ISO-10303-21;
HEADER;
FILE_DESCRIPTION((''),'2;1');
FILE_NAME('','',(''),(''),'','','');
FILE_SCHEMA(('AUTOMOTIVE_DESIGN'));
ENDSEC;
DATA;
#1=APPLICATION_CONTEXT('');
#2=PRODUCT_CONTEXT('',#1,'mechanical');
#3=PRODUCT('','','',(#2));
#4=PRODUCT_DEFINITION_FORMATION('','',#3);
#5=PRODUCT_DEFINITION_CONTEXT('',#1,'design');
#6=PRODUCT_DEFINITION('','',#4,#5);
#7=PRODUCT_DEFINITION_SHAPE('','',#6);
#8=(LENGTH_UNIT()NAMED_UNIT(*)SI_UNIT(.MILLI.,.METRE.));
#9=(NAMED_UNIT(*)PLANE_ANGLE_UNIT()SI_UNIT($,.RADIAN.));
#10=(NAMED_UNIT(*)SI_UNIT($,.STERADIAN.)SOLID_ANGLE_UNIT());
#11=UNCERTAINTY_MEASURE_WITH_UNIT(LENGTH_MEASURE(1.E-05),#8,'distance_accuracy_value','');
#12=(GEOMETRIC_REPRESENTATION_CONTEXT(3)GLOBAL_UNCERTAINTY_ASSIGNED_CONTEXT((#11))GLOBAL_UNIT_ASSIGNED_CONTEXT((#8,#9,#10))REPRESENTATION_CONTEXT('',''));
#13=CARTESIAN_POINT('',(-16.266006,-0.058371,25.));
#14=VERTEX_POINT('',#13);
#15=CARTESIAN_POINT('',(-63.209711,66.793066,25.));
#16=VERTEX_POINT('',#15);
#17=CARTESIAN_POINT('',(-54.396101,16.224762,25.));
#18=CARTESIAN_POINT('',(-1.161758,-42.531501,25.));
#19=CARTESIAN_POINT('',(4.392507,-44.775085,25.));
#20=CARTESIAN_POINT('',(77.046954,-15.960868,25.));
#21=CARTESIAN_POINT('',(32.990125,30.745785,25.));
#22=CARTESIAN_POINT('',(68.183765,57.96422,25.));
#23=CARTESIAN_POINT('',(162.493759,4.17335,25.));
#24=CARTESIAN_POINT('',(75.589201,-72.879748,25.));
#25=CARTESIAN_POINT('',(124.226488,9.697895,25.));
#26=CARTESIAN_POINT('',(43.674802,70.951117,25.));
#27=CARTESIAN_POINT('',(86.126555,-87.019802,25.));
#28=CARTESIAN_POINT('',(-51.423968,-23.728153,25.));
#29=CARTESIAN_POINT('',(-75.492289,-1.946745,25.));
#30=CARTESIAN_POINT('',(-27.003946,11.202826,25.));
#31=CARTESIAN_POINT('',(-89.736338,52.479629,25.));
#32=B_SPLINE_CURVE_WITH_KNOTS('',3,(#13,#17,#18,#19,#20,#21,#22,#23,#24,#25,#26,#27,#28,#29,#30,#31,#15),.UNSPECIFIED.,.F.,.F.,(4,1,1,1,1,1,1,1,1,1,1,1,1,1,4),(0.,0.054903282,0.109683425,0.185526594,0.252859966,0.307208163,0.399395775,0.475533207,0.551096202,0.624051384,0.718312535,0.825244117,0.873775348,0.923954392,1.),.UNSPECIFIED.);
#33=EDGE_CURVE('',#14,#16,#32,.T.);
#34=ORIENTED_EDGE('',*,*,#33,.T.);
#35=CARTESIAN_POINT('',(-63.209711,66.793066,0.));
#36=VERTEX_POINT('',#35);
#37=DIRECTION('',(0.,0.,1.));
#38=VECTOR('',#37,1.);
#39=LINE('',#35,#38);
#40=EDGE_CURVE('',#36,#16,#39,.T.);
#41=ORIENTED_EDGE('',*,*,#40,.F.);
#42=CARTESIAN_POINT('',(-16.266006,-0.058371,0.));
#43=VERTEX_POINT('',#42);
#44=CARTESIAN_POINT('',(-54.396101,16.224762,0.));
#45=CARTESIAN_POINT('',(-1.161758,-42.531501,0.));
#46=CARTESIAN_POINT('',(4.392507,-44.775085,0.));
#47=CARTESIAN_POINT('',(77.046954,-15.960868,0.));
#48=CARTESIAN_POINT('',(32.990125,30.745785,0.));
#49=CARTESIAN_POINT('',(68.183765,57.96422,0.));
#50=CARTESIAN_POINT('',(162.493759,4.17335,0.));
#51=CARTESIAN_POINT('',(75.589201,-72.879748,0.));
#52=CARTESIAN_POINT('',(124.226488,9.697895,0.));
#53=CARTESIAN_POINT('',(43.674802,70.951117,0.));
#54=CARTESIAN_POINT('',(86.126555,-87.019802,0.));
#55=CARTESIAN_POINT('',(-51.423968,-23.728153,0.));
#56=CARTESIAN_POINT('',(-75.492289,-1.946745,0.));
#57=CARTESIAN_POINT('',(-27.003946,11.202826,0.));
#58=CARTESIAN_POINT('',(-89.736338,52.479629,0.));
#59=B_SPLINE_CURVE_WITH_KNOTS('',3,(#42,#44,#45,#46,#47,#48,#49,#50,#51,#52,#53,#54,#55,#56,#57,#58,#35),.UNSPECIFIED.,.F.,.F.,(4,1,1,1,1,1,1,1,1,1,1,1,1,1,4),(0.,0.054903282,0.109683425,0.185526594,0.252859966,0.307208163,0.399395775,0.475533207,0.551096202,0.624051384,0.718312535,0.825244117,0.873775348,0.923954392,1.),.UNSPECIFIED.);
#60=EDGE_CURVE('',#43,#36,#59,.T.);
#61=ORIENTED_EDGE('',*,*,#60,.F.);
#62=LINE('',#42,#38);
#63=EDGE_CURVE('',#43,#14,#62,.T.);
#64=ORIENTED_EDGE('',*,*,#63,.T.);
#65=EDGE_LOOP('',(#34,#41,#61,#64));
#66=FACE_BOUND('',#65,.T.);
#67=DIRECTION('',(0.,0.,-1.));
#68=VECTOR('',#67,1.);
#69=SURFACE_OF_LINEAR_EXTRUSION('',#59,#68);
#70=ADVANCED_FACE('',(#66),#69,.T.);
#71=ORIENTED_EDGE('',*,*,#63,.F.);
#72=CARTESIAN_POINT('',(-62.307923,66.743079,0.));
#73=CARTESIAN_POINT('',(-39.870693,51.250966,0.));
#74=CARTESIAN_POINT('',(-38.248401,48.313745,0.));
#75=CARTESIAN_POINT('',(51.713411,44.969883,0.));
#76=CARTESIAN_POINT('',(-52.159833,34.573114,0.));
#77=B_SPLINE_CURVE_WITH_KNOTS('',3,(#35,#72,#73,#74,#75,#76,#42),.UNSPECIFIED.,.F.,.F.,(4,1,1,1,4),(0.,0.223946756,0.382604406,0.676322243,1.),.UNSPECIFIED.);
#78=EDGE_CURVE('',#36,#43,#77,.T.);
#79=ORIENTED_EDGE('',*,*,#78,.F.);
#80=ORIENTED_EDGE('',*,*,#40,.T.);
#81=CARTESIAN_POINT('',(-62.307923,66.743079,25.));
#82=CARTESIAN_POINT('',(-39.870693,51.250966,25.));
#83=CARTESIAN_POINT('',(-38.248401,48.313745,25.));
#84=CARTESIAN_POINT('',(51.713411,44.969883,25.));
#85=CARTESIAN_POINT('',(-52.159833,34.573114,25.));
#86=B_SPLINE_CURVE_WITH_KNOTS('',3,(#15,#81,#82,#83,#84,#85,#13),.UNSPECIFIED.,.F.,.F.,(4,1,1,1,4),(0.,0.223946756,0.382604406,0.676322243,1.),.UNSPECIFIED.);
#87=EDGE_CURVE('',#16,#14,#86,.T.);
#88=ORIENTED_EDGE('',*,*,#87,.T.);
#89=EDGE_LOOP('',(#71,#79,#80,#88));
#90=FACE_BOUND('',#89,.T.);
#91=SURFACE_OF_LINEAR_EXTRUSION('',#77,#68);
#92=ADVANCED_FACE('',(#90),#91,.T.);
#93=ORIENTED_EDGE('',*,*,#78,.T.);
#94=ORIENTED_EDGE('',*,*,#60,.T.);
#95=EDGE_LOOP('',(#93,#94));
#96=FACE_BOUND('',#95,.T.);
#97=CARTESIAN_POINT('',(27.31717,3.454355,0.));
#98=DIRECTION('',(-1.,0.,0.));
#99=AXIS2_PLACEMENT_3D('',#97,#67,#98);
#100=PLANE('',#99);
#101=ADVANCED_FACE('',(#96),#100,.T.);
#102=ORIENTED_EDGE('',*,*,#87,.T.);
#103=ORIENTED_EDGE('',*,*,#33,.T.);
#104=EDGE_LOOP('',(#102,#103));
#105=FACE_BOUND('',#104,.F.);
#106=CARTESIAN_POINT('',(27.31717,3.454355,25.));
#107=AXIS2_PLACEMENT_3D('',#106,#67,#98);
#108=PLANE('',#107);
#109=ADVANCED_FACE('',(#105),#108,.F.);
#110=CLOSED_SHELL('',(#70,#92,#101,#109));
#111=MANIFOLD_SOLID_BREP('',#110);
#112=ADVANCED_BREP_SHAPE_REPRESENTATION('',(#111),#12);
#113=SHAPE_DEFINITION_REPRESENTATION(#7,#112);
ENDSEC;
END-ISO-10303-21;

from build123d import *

# Parameters (mm, degrees)
F1_DEPTH = 25
F2_DEPTH = 25


with BuildPart() as f1:
    # F0 (on Top) → F1 (new body)
    with BuildSketch(Plane.XY):
        with BuildLine():
            add(Edge.make_bspline(
                [(-16.2660055382, -0.0583706151), (-54.396101265, 16.2247619578), (-1.1617582692, -42.5315013701), (4.3925072217, -44.775085218), (77.0469541932, -15.9608677056), (32.9901248944, 30.7457847297), (68.1837648581, 57.9642197465), (162.4937586848, 4.1733501008), (75.5892011835, -72.8797484564), (124.226487695, 9.6978948707), (43.6748019987, 70.9511168926), (86.126555151, -87.0198016473), (-51.4239678216, -23.7281533693), (-75.4922889181, -1.9467453465), (-27.0039461905, 11.2028257186), (-89.7363376687, 52.4796292523), (-63.2097107719, 66.793066398)],
                knots=[0, 0, 0, 0, 0.0549032817, 0.109683425, 0.1855265936, 0.2528599663, 0.3072081634, 0.3993957746, 0.4755332066, 0.5510962021, 0.6240513844, 0.7183125348, 0.8252441171, 0.873775348, 0.9239543915, 1, 1, 1, 1], degree=3))
            add(Edge.make_bspline(
                [(-63.2097107719, 66.793066398), (-62.3079225844, 66.7430788288), (-39.8706932753, 51.250965623), (-38.248401032, 48.3137450781), (51.7134109491, 44.96988329), (-52.1598325008, 34.5731138125), (-16.2660055382, -0.0583706151)],
                knots=[0, 0, 0, 0, 0.2239467562, 0.3826044064, 0.6763222433, 1, 1, 1, 1], degree=3))
        make_face()
    extrude(amount=F1_DEPTH)

    # F0 (on Top) → F2 (join)
    with BuildSketch(Plane.XY):
        with BuildLine():
            add(Edge.make_bspline(
                [(-16.2660055382, -0.0583706151), (-54.396101265, 16.2247619578), (-1.1617582692, -42.5315013701), (4.3925072217, -44.775085218), (77.0469541932, -15.9608677056), (32.9901248944, 30.7457847297), (68.1837648581, 57.9642197465), (162.4937586848, 4.1733501008), (75.5892011835, -72.8797484564), (124.226487695, 9.6978948707), (43.6748019987, 70.9511168926), (86.126555151, -87.0198016473), (-51.4239678216, -23.7281533693), (-75.4922889181, -1.9467453465), (-27.0039461905, 11.2028257186), (-89.7363376687, 52.4796292523), (-63.2097107719, 66.793066398)],
                knots=[0, 0, 0, 0, 0.0549032817, 0.109683425, 0.1855265936, 0.2528599663, 0.3072081634, 0.3993957746, 0.4755332066, 0.5510962021, 0.6240513844, 0.7183125348, 0.8252441171, 0.873775348, 0.9239543915, 1, 1, 1, 1], degree=3))
            add(Edge.make_bspline(
                [(-63.2097107719, 66.793066398), (-62.3079225844, 66.7430788288), (-39.8706932753, 51.250965623), (-38.248401032, 48.3137450781), (51.7134109491, 44.96988329), (-52.1598325008, 34.5731138125), (-16.2660055382, -0.0583706151)],
                knots=[0, 0, 0, 0, 0.2239467562, 0.3826044064, 0.6763222433, 1, 1, 1, 1], degree=3))
        make_face()
    extrude(amount=F2_DEPTH)


solid = f1.part
